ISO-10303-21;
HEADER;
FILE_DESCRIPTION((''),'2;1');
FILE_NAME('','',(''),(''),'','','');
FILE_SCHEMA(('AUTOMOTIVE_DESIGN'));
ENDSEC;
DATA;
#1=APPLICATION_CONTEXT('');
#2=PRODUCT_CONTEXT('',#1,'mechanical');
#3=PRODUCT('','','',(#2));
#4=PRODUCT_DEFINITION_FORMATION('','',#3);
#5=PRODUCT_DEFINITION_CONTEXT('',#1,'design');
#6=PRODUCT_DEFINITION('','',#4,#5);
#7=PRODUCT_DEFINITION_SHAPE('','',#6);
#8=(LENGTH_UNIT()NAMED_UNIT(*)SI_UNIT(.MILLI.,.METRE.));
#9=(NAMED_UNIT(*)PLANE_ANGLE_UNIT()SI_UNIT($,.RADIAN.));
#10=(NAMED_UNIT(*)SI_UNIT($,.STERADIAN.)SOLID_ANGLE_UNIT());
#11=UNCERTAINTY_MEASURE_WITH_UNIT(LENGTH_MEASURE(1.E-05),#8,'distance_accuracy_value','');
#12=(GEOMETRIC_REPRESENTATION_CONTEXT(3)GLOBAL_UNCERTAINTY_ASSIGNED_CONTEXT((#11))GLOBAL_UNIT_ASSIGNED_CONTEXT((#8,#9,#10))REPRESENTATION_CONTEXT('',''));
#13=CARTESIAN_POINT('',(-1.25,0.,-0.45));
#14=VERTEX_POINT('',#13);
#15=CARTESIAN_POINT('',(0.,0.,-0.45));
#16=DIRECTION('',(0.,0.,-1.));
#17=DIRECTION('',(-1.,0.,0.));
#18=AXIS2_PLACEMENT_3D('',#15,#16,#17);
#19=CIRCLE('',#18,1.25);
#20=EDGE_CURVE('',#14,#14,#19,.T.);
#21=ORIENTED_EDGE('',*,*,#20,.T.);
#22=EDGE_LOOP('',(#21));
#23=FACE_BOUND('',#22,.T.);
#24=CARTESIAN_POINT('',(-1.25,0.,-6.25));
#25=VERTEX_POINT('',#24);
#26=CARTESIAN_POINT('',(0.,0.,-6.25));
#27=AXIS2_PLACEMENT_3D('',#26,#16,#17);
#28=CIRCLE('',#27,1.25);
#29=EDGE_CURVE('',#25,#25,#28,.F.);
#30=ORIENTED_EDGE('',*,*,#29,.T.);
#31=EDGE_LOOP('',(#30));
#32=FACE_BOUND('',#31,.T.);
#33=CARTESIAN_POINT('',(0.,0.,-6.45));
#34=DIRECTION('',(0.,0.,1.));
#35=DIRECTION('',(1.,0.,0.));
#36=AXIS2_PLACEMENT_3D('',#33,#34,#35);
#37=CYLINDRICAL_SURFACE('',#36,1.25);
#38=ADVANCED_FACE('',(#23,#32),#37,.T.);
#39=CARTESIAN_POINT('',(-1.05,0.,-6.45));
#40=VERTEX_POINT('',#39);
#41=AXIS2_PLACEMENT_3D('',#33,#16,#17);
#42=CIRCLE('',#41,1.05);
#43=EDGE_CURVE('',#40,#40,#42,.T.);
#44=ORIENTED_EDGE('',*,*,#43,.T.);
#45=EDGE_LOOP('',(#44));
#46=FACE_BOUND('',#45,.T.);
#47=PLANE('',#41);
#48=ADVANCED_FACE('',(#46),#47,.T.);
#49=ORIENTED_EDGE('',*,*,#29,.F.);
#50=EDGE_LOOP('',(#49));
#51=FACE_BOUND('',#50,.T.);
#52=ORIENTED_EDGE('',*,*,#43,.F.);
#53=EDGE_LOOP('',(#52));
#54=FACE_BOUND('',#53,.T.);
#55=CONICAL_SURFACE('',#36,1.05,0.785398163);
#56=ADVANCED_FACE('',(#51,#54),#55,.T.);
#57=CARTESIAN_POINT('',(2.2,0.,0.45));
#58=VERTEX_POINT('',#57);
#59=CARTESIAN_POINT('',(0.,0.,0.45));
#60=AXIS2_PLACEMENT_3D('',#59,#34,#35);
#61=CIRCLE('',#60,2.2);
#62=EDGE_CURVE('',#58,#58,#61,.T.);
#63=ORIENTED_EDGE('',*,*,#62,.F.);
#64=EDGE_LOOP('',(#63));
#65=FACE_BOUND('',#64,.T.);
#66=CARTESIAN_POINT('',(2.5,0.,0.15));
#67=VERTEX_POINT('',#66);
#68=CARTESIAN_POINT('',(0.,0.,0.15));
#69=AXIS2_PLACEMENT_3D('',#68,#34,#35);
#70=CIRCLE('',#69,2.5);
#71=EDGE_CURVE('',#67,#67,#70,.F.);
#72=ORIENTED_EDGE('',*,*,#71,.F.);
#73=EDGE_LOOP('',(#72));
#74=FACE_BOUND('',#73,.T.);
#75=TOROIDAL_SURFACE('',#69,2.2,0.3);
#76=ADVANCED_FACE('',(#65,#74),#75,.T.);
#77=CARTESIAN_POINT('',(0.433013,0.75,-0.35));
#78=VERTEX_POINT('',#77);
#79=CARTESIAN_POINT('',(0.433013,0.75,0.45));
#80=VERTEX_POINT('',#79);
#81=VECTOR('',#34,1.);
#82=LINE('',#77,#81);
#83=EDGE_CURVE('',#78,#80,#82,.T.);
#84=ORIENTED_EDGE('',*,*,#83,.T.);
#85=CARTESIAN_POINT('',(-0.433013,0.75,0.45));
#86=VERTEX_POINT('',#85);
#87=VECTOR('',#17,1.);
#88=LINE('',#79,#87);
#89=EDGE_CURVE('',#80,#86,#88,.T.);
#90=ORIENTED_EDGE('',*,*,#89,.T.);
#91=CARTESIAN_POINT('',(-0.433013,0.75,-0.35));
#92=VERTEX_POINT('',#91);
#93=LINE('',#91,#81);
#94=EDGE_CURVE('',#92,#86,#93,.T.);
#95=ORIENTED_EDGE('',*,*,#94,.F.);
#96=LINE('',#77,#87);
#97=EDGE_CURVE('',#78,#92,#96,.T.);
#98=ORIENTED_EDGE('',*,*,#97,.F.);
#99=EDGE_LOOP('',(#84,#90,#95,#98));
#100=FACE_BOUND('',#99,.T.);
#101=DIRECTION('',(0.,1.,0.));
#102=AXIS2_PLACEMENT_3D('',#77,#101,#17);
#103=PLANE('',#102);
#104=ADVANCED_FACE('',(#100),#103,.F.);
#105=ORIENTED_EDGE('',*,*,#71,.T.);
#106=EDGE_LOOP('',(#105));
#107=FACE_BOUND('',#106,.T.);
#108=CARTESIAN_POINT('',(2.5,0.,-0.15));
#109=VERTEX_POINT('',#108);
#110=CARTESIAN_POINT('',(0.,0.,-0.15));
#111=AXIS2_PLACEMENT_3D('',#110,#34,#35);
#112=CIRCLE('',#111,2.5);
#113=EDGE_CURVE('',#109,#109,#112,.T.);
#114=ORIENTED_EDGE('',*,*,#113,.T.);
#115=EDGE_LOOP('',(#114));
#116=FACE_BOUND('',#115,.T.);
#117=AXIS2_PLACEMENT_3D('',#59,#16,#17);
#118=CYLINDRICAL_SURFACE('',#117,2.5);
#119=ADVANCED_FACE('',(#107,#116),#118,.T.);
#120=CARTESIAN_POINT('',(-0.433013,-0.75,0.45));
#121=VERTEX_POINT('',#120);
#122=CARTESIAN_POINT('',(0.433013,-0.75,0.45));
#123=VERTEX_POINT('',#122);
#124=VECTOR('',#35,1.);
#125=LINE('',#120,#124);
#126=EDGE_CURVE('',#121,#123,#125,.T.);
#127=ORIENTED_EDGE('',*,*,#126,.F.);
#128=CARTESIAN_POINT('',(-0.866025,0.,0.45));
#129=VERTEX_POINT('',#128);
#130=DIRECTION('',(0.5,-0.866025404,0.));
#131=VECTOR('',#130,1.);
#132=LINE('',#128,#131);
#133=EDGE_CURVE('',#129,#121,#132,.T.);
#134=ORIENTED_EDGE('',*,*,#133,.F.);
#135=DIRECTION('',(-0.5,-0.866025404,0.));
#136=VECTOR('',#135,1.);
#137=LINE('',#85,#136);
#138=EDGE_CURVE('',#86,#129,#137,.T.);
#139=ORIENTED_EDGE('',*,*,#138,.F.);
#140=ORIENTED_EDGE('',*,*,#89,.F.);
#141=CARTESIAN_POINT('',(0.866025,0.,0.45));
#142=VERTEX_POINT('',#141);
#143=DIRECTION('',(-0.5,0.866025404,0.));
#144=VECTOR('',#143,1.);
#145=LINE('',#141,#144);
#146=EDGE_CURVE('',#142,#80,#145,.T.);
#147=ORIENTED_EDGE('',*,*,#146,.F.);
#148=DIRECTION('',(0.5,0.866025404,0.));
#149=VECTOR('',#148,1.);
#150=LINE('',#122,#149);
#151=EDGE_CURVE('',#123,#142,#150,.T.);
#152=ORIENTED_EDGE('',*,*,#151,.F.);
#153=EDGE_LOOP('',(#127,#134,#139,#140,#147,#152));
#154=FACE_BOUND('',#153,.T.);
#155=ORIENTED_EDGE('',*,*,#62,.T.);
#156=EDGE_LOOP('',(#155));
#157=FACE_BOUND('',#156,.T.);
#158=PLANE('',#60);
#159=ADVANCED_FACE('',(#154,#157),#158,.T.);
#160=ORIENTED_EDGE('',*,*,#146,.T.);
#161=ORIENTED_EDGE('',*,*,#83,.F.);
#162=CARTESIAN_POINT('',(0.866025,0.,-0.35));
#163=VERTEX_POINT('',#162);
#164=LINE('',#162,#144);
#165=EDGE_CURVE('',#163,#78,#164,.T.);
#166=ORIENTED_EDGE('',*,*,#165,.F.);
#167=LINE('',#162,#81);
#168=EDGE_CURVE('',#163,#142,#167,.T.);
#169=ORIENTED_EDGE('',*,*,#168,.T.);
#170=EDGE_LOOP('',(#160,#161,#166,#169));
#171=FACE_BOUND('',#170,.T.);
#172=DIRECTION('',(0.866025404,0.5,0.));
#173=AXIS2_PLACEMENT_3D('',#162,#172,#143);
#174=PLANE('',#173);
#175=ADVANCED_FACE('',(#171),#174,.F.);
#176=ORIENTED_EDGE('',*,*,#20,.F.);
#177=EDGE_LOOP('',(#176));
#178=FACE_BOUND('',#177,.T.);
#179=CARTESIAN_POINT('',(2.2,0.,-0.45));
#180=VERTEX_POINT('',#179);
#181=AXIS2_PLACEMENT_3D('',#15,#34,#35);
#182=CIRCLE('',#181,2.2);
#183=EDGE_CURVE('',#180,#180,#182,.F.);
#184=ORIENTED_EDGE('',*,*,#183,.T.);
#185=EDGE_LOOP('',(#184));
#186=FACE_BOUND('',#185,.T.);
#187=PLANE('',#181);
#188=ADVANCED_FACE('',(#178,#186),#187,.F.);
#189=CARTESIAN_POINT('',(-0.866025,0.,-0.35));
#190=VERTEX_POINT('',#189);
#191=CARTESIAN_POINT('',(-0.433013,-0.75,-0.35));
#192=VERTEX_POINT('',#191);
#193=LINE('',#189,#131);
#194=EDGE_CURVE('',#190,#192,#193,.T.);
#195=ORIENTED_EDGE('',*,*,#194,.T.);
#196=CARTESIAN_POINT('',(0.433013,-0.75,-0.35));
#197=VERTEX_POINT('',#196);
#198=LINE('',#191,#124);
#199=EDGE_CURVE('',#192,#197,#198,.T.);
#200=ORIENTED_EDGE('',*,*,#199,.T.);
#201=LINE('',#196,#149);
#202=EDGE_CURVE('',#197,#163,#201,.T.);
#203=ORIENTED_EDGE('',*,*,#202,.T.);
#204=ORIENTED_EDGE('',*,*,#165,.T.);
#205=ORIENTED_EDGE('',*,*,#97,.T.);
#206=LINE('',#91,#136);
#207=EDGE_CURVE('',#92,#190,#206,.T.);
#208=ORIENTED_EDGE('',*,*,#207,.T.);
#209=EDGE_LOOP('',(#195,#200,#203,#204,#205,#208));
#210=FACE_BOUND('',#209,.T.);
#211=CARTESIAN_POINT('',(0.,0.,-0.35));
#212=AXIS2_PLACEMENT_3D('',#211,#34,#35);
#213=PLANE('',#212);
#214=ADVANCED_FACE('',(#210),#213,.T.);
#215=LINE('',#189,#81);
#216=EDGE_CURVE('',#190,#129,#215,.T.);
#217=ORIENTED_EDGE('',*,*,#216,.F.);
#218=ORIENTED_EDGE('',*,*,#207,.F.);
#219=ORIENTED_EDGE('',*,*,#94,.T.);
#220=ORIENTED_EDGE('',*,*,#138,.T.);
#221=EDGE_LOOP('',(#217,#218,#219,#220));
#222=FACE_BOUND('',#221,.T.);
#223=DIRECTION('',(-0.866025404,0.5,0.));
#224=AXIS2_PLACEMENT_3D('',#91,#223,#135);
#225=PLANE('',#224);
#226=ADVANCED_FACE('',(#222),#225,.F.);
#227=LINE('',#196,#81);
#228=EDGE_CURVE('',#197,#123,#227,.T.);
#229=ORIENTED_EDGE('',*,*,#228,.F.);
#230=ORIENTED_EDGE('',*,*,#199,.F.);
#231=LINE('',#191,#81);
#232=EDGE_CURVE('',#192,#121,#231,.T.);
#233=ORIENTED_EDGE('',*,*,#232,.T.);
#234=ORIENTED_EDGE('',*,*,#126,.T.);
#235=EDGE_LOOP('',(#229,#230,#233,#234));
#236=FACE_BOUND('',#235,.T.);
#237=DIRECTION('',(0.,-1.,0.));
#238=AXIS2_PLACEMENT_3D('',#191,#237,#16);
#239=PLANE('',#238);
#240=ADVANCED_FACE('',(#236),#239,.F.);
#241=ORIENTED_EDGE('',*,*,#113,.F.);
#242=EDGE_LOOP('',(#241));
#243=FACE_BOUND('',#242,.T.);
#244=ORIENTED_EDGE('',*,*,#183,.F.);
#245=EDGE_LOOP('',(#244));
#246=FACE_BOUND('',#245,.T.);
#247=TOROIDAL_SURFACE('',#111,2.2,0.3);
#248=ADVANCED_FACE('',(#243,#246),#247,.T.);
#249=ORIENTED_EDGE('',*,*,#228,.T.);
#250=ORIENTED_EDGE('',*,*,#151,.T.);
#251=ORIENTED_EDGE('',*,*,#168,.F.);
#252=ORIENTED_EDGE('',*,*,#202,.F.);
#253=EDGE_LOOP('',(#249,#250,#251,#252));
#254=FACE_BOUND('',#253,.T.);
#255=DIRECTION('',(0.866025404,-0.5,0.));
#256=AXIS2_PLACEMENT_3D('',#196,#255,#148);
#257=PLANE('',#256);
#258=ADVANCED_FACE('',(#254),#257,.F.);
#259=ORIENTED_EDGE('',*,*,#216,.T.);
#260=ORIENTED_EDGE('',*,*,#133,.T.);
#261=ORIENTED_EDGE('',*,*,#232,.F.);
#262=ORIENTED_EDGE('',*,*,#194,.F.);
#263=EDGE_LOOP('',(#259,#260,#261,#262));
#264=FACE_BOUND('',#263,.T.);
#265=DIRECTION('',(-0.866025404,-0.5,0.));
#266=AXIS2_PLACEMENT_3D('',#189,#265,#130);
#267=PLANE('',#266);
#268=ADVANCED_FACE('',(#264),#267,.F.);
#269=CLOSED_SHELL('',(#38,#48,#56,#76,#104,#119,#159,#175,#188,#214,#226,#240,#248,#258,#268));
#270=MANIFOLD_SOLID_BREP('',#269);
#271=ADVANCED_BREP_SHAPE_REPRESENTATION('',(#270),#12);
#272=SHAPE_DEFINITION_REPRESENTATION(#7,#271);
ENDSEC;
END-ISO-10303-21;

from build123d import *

# Parameters (mm, degrees)
SKETCH_1_R          = 2.5
EXTRUDE_1_DEPTH     = 0.45
SKETCH_2_R          = 1.25
EXTRUDE_2_DEPTH     = 6
CHAMFER_1_SIZE      = 0.2
CUT_EXTRUDE_1_DEPTH = 0.8
FILLET_2_R          = 0.3


with BuildPart() as part:
    # 草图1 → 凸台-拉伸1 (new body, symmetric)
    with BuildSketch(Plane.XY):
        Circle(SKETCH_1_R)
    extrude(amount=EXTRUDE_1_DEPTH, both=True)

    # 草图2 → 凸台-拉伸2 (add)
    with BuildSketch(Plane(origin=(0, 0, -0.45), x_dir=(-1, 0, 0), z_dir=(0, 0, -1))):
        Circle(SKETCH_2_R)
    extrude(amount=EXTRUDE_2_DEPTH)

    # 倒角1
    chamfer_1_edges = [part.edges().sort_by_distance(p)[0] for p in [
        (1.25, 0, -6.45),
    ]]
    chamfer(chamfer_1_edges, length=CHAMFER_1_SIZE)

    # 草图3 → 切除-拉伸1 (cut)
    with BuildSketch(Plane.XY.offset(0.45)):
        Polygon((0.866025404, 0), (0.433012702, 0.75), (-0.433012702, 0.75), (-0.866025404, 0), (-0.433012702, -0.75), (0.433012702, -0.75), align=None)
    extrude(amount=-CUT_EXTRUDE_1_DEPTH, mode=Mode.SUBTRACT)

    # 圆角2
    fillet_2_edges = [part.edges().sort_by_distance(p)[0] for p in [
        (-2.5, 0, -0.45),
        (-2.5, 0, 0.45),
    ]]
    fillet(fillet_2_edges, radius=FILLET_2_R)


solid = part.part
